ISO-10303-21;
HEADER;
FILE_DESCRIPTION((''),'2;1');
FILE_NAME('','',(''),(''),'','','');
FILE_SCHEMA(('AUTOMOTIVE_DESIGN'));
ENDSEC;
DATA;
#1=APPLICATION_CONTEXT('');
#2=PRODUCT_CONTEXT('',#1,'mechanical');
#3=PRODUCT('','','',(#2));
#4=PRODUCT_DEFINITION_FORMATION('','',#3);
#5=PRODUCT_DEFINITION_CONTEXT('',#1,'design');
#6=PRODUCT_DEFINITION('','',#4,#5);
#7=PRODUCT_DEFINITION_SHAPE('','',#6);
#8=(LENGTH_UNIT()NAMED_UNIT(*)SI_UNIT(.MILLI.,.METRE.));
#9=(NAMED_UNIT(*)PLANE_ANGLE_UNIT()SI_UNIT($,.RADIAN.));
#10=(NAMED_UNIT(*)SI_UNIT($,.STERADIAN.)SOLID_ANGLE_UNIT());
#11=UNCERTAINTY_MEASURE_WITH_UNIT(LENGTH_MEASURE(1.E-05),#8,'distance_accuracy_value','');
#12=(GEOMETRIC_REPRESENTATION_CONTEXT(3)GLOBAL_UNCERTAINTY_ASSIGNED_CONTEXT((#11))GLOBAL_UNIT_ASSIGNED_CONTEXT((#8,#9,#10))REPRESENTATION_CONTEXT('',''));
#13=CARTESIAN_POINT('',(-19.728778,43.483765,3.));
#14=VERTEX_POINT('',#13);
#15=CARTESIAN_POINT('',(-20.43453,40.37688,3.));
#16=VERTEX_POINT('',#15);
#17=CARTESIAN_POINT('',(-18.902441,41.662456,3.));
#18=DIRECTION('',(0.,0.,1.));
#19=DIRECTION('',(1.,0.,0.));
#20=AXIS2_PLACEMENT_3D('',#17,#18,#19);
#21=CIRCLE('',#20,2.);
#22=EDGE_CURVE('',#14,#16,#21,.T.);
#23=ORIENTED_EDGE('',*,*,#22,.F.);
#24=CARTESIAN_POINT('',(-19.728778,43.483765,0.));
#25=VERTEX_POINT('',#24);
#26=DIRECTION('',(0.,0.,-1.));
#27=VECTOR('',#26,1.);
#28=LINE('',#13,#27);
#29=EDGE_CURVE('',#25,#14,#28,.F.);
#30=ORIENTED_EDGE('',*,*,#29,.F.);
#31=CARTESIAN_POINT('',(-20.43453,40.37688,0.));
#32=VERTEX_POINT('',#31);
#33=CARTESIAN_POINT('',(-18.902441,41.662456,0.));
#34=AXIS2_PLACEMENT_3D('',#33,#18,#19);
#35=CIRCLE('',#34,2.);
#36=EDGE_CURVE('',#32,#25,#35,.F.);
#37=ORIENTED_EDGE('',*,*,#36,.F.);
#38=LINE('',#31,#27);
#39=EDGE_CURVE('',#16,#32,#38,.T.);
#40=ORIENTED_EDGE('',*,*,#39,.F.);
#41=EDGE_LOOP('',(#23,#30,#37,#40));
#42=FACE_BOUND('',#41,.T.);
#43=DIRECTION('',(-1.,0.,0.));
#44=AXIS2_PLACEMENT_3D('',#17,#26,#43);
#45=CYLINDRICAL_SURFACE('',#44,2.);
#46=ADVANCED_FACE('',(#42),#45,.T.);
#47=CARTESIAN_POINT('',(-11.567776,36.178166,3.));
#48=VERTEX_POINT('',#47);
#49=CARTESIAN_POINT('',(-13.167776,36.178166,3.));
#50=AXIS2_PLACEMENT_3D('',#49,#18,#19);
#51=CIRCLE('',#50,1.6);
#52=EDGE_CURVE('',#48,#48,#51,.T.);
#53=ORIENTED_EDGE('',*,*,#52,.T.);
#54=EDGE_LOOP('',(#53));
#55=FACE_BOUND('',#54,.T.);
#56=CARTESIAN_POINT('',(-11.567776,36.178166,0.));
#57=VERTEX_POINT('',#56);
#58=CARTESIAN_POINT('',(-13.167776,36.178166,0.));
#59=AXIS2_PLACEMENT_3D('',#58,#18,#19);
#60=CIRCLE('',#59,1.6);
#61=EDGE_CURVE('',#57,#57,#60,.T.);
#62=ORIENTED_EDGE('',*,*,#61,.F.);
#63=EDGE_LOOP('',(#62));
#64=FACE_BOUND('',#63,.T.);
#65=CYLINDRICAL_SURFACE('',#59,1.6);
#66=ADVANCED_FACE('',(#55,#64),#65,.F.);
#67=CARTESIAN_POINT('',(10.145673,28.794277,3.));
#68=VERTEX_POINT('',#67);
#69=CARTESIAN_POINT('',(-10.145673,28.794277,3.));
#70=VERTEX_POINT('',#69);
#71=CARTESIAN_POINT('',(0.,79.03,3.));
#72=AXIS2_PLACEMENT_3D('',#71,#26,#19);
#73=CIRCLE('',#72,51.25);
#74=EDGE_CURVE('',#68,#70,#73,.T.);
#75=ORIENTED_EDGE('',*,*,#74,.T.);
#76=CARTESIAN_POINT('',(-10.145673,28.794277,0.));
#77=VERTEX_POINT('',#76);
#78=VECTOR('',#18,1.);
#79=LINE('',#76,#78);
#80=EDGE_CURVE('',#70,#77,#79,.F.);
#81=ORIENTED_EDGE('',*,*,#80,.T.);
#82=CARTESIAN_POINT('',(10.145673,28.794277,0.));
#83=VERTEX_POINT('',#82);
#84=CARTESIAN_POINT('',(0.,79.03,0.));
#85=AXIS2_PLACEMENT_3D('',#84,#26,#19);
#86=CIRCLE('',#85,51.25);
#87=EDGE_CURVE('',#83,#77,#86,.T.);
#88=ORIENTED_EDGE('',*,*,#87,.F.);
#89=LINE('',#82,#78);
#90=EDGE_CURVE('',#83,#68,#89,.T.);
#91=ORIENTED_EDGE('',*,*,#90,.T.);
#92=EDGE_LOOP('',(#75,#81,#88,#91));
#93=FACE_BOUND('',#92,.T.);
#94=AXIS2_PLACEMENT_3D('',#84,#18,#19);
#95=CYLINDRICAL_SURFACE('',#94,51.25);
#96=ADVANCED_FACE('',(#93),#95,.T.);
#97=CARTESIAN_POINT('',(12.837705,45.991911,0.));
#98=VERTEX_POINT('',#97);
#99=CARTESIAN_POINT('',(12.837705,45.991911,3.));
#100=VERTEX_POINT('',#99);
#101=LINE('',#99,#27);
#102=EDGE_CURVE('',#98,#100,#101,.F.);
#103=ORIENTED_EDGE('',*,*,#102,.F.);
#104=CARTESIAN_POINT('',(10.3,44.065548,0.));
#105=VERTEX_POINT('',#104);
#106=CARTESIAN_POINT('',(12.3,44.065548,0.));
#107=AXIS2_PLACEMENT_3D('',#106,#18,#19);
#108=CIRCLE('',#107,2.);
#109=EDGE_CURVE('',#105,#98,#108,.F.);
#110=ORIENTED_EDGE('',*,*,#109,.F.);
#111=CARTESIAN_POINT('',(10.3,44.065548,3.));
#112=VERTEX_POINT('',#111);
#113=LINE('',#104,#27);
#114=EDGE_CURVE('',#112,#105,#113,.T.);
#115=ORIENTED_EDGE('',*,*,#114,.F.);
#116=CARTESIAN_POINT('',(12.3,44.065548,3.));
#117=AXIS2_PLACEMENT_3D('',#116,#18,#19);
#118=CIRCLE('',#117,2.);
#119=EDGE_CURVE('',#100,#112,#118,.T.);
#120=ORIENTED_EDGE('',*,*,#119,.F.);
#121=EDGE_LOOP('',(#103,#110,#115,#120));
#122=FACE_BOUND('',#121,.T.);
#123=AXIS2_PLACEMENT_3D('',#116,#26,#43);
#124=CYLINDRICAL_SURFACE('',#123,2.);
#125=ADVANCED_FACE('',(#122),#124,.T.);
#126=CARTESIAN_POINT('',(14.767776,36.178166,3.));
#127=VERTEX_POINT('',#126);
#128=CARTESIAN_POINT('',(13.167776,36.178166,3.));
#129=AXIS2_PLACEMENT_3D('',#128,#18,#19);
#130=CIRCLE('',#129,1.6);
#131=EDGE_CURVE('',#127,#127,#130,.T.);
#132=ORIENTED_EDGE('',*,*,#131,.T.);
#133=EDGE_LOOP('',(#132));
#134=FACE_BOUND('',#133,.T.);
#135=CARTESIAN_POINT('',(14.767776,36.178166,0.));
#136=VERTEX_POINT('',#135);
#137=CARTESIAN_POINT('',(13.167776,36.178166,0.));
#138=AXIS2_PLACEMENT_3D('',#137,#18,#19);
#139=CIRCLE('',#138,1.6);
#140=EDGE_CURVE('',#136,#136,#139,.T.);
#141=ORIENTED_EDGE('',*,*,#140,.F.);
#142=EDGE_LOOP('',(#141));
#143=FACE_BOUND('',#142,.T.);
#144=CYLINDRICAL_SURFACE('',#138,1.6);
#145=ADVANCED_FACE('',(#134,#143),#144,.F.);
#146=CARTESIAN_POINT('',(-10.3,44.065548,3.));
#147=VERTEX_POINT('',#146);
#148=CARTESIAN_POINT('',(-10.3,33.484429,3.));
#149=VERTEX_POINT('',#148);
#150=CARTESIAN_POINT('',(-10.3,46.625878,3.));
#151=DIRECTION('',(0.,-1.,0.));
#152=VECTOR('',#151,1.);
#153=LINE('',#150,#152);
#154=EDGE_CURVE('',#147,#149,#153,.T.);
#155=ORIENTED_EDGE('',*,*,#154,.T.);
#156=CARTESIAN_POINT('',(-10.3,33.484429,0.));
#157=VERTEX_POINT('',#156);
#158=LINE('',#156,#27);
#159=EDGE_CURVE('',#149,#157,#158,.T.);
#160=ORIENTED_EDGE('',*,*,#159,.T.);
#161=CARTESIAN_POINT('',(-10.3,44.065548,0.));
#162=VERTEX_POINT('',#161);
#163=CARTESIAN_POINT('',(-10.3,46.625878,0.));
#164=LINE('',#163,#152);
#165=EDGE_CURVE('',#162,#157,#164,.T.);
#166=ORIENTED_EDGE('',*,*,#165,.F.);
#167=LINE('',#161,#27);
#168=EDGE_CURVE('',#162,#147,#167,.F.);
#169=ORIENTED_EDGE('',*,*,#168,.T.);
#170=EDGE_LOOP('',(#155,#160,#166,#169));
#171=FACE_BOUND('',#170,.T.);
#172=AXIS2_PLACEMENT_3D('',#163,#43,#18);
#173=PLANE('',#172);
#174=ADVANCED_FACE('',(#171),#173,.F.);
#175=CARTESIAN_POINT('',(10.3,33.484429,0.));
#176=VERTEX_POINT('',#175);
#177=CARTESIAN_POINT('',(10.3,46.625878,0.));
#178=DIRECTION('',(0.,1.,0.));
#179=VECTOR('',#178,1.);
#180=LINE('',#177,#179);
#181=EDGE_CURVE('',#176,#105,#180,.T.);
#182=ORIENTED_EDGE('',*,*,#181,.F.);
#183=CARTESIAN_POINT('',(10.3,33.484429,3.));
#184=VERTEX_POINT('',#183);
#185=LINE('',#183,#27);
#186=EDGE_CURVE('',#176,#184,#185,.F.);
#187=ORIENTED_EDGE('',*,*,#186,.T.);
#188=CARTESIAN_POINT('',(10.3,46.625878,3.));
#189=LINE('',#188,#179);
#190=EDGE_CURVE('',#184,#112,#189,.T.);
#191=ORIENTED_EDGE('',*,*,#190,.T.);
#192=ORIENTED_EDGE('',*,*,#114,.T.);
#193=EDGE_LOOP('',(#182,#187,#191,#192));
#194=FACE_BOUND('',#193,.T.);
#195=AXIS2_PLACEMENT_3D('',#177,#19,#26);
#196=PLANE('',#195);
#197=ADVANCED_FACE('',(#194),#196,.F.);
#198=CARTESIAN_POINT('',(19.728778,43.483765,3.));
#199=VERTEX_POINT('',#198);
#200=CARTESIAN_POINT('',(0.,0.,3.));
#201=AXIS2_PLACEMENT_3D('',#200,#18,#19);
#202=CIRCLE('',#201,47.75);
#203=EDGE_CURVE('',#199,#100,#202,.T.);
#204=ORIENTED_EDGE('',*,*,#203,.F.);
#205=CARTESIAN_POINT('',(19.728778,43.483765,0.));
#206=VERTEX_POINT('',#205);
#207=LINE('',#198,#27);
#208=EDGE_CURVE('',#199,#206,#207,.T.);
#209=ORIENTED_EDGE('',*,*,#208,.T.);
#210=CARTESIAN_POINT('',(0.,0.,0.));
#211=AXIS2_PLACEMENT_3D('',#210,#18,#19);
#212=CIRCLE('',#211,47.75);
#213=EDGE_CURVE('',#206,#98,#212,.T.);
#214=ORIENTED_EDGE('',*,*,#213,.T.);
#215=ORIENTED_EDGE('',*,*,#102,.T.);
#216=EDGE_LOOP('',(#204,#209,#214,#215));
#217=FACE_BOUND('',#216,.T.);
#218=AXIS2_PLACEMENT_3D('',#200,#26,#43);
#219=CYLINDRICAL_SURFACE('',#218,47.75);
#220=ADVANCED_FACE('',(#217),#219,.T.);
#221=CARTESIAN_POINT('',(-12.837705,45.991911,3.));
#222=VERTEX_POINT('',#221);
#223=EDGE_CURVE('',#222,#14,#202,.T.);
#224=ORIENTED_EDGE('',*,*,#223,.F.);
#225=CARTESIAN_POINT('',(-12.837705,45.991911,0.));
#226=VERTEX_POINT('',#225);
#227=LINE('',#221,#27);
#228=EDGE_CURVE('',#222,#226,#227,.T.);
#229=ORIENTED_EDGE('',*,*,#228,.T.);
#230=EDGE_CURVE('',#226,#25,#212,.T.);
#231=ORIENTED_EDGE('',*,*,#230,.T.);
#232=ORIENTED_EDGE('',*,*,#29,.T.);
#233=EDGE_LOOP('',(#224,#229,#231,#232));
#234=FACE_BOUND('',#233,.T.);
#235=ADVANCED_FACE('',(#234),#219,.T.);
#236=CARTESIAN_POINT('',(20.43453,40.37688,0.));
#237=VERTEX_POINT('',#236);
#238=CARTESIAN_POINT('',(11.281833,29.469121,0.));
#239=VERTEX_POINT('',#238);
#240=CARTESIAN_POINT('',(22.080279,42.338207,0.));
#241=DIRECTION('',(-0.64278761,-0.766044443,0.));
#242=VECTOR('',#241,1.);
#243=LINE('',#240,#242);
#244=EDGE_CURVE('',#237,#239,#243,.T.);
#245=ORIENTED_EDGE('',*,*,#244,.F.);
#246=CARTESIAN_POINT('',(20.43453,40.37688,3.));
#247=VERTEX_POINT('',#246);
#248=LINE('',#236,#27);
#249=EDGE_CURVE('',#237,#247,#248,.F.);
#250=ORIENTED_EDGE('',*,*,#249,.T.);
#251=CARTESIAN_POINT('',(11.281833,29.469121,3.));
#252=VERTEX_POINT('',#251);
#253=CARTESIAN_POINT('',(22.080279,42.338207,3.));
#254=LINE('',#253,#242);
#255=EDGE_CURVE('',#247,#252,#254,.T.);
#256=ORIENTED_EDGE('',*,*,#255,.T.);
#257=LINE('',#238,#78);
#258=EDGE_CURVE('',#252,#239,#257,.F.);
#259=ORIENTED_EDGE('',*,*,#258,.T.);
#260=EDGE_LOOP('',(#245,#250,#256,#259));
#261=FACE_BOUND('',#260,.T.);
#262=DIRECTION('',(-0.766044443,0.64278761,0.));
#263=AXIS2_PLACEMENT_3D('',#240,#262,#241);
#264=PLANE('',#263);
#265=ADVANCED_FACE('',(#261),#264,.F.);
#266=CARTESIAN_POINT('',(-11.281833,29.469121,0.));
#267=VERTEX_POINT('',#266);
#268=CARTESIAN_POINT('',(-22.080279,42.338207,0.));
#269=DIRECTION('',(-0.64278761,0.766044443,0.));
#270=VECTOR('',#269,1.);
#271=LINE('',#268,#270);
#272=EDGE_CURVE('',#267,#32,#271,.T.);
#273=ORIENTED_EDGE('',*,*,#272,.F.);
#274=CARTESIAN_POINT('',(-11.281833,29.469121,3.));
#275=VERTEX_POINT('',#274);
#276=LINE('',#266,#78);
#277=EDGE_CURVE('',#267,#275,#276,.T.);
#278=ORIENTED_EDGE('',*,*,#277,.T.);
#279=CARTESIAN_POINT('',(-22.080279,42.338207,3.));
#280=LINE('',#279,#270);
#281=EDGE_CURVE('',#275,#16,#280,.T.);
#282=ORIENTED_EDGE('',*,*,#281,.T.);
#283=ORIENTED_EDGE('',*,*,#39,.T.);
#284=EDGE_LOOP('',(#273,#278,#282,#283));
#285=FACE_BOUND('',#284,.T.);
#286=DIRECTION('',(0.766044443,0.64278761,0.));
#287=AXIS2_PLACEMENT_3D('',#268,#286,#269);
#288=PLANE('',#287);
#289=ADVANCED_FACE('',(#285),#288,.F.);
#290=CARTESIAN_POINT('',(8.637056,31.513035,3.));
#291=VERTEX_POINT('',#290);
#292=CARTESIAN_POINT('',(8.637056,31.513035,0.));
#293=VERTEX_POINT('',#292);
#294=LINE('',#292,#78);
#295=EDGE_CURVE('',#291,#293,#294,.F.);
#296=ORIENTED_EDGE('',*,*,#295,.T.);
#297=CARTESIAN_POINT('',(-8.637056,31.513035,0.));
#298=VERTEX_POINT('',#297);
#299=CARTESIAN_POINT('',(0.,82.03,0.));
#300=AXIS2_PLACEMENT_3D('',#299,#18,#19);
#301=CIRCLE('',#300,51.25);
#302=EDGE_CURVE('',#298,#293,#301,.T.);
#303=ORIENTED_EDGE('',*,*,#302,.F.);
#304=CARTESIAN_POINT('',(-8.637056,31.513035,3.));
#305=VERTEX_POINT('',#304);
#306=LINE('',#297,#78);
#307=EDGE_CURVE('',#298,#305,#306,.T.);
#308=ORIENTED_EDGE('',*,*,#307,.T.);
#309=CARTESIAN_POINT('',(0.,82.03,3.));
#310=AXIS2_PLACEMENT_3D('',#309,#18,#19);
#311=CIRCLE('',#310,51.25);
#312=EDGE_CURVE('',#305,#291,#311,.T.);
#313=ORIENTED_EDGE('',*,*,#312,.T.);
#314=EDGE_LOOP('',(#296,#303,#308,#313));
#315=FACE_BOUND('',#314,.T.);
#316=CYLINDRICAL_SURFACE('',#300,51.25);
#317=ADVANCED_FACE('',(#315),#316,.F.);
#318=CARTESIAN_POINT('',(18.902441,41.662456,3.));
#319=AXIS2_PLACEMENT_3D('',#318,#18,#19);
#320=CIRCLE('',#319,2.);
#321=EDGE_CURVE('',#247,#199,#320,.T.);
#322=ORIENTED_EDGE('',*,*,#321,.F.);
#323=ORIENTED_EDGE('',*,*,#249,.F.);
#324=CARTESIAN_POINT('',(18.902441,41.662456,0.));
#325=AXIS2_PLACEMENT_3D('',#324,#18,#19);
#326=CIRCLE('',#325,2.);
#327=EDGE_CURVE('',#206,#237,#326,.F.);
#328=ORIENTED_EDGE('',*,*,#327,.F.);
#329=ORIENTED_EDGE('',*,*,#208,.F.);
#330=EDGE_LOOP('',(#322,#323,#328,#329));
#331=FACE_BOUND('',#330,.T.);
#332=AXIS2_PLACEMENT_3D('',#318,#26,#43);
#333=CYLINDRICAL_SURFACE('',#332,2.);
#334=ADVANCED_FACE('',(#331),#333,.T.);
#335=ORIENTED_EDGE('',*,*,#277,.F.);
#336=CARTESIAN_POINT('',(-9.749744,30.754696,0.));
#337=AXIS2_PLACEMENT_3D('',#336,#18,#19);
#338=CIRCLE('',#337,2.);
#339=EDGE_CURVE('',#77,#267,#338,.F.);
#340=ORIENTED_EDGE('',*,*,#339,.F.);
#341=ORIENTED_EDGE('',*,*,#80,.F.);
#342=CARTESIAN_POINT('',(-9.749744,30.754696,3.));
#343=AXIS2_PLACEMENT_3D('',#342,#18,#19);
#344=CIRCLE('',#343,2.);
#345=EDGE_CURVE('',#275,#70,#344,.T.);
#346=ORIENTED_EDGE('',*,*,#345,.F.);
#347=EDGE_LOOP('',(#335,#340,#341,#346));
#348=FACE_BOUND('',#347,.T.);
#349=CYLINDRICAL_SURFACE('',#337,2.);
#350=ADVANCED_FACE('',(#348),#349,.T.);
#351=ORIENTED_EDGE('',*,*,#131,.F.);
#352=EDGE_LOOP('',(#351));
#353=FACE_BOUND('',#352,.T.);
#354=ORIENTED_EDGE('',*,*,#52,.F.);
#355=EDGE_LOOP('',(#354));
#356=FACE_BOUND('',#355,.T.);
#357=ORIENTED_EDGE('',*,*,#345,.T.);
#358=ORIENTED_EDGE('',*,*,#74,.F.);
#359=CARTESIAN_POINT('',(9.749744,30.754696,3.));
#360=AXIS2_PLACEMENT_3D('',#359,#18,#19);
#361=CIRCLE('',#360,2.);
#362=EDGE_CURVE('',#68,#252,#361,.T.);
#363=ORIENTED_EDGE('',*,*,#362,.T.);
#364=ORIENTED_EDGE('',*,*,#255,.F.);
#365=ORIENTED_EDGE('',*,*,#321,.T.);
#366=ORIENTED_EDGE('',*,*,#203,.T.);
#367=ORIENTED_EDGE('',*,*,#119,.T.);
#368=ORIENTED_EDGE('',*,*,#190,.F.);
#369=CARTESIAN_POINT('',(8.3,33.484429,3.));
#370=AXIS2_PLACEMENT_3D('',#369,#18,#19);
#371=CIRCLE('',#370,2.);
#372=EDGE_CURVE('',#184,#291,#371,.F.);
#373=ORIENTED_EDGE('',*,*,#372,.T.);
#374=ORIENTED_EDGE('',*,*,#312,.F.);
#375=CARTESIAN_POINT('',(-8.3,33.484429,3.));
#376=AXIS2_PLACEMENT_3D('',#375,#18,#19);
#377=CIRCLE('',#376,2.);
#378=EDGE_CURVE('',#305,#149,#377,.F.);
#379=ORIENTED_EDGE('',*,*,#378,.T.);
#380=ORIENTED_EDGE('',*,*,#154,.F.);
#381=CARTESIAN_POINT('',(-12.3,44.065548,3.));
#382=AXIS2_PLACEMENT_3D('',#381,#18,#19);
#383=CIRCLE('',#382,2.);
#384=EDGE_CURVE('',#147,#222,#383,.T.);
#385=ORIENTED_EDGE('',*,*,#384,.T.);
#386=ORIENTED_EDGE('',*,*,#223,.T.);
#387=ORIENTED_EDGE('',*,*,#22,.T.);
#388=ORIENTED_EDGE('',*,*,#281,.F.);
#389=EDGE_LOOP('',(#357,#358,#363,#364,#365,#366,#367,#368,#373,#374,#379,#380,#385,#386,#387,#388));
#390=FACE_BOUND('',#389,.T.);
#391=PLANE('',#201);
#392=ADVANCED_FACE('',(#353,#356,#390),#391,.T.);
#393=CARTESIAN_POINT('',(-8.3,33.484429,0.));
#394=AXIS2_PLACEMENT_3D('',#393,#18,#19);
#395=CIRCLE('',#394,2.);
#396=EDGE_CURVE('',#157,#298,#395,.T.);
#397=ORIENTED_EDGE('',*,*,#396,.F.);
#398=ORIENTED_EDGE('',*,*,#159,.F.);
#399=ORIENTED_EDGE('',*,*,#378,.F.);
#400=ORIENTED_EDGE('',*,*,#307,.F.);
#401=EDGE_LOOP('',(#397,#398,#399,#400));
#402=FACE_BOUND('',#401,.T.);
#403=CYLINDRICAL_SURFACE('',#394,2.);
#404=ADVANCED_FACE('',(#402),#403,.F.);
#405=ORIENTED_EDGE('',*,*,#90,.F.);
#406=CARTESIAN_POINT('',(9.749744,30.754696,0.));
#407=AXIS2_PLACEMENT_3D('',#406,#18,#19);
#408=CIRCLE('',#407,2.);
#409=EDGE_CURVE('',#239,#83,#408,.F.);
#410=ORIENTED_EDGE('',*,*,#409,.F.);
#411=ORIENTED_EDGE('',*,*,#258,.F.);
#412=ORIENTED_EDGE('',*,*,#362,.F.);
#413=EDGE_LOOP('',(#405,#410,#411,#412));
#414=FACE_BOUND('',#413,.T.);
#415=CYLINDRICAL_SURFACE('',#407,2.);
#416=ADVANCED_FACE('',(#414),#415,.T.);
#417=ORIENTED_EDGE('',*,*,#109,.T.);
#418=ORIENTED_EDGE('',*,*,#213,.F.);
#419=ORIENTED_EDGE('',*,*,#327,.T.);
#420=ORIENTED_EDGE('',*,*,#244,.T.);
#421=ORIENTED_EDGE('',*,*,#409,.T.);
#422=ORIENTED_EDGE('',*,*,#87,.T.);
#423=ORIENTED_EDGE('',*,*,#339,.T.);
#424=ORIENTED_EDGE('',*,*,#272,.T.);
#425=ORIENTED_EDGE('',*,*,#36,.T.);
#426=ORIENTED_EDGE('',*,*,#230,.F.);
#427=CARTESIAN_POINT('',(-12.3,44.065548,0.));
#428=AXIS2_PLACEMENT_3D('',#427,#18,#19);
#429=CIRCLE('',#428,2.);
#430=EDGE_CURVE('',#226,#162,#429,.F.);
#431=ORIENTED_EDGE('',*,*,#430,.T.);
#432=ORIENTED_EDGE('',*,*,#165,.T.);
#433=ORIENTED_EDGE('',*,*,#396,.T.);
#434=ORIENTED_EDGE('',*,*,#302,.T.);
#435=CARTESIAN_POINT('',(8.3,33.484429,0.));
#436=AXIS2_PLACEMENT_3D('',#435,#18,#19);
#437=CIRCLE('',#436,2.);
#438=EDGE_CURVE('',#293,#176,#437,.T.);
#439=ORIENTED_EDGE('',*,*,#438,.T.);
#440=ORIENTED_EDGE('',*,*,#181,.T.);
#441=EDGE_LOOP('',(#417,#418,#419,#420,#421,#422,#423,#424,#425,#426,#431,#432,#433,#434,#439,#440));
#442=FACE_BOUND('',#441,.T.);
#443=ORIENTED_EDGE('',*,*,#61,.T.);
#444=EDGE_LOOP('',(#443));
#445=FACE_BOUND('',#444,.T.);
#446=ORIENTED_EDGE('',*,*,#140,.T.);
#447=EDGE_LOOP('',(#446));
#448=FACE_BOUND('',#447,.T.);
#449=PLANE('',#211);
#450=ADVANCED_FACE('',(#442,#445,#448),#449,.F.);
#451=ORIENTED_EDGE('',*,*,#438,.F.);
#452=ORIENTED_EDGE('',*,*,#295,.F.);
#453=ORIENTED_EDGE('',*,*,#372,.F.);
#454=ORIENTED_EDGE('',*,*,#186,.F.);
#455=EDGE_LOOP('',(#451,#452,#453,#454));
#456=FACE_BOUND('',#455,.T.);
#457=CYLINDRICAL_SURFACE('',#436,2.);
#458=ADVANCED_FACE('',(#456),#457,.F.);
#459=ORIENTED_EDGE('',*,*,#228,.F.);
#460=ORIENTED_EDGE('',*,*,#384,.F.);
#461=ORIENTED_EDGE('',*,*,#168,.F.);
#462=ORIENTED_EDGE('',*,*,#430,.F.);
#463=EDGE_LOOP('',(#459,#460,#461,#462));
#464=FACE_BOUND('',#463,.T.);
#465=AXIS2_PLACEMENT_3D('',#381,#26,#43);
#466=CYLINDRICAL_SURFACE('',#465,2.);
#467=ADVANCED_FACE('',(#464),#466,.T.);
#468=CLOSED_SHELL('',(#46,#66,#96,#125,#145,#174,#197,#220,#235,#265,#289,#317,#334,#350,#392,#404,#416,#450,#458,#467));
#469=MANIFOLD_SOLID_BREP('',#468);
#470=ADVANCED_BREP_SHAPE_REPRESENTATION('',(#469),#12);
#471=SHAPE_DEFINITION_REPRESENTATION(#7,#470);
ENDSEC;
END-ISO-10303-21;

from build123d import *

# Parameters (mm, degrees)
SKETCH_1_R          = 47.75
EXTRUDE_1_DEPTH     = 3
SKETCH_2_R          = 1.6
CUT_EXTRUDE_1_DEPTH = 68.595303091
FILLET_1_R          = 2


with BuildPart() as part:
    # ｽｹｯﾁ1 → ﾎﾞｽ - 押し出し1 (new body)
    with BuildSketch(Plane.XY):
        Circle(SKETCH_1_R)
    extrude(amount=EXTRUDE_1_DEPTH)

    # ｽｹｯﾁ2 → ｶｯﾄ - 押し出し1 (cut, through all)
    with BuildSketch(Plane.XY.offset(3)):
        with Locations((-13.167775518, 36.1781659)):
            Circle(SKETCH_2_R)
        with Locations((13.167775518, 36.1781659)):
            Circle(SKETCH_2_R)
        with BuildLine():
            Line((-10.3, 46.625878008), (-10.3, 31.825692416))
            ThreePointArc((-10.3, 31.825692416), (0, 30.78), (10.3, 31.825692416))
            Line((10.3, 31.825692416), (10.3, 46.625878008))
            ThreePointArc((10.3, 46.625878008), (0, 47.75), (-10.3, 46.625878008))
        make_face()
        with BuildLine():
            Line((-22.08027891, 42.338207133), (-10.836871488, 28.938835945))
            ThreePointArc((-10.836871488, 28.938835945), (0, 27.78), (10.836871488, 28.938835945))
            Line((10.836871488, 28.938835945), (22.08027891, 42.338207133))
            ThreePointArc((22.08027891, 42.338207133), (0, -47.75), (-22.08027891, 42.338207133))
        make_face()
    extrude(amount=-CUT_EXTRUDE_1_DEPTH, mode=Mode.SUBTRACT)

    # ﾌｨﾚｯﾄ1
    fillet_1_edges = [part.edges().sort_by_distance(p)[0] for p in [
        (22.08027891, 42.338207133, 1.5),
        (-22.08027891, 42.338207133, 1.5),
        (-10.836871488, 28.938835945, 1.5),
        (10.836871488, 28.938835945, 1.5),
        (-10.3, 46.625878008, 1.5),
        (10.3, 46.625878008, 1.5),
        (10.3, 31.825692416, 1.5),
        (-10.3, 31.825692416, 1.5),
    ]]
    fillet(fillet_1_edges, radius=FILLET_1_R)


solid = part.part
